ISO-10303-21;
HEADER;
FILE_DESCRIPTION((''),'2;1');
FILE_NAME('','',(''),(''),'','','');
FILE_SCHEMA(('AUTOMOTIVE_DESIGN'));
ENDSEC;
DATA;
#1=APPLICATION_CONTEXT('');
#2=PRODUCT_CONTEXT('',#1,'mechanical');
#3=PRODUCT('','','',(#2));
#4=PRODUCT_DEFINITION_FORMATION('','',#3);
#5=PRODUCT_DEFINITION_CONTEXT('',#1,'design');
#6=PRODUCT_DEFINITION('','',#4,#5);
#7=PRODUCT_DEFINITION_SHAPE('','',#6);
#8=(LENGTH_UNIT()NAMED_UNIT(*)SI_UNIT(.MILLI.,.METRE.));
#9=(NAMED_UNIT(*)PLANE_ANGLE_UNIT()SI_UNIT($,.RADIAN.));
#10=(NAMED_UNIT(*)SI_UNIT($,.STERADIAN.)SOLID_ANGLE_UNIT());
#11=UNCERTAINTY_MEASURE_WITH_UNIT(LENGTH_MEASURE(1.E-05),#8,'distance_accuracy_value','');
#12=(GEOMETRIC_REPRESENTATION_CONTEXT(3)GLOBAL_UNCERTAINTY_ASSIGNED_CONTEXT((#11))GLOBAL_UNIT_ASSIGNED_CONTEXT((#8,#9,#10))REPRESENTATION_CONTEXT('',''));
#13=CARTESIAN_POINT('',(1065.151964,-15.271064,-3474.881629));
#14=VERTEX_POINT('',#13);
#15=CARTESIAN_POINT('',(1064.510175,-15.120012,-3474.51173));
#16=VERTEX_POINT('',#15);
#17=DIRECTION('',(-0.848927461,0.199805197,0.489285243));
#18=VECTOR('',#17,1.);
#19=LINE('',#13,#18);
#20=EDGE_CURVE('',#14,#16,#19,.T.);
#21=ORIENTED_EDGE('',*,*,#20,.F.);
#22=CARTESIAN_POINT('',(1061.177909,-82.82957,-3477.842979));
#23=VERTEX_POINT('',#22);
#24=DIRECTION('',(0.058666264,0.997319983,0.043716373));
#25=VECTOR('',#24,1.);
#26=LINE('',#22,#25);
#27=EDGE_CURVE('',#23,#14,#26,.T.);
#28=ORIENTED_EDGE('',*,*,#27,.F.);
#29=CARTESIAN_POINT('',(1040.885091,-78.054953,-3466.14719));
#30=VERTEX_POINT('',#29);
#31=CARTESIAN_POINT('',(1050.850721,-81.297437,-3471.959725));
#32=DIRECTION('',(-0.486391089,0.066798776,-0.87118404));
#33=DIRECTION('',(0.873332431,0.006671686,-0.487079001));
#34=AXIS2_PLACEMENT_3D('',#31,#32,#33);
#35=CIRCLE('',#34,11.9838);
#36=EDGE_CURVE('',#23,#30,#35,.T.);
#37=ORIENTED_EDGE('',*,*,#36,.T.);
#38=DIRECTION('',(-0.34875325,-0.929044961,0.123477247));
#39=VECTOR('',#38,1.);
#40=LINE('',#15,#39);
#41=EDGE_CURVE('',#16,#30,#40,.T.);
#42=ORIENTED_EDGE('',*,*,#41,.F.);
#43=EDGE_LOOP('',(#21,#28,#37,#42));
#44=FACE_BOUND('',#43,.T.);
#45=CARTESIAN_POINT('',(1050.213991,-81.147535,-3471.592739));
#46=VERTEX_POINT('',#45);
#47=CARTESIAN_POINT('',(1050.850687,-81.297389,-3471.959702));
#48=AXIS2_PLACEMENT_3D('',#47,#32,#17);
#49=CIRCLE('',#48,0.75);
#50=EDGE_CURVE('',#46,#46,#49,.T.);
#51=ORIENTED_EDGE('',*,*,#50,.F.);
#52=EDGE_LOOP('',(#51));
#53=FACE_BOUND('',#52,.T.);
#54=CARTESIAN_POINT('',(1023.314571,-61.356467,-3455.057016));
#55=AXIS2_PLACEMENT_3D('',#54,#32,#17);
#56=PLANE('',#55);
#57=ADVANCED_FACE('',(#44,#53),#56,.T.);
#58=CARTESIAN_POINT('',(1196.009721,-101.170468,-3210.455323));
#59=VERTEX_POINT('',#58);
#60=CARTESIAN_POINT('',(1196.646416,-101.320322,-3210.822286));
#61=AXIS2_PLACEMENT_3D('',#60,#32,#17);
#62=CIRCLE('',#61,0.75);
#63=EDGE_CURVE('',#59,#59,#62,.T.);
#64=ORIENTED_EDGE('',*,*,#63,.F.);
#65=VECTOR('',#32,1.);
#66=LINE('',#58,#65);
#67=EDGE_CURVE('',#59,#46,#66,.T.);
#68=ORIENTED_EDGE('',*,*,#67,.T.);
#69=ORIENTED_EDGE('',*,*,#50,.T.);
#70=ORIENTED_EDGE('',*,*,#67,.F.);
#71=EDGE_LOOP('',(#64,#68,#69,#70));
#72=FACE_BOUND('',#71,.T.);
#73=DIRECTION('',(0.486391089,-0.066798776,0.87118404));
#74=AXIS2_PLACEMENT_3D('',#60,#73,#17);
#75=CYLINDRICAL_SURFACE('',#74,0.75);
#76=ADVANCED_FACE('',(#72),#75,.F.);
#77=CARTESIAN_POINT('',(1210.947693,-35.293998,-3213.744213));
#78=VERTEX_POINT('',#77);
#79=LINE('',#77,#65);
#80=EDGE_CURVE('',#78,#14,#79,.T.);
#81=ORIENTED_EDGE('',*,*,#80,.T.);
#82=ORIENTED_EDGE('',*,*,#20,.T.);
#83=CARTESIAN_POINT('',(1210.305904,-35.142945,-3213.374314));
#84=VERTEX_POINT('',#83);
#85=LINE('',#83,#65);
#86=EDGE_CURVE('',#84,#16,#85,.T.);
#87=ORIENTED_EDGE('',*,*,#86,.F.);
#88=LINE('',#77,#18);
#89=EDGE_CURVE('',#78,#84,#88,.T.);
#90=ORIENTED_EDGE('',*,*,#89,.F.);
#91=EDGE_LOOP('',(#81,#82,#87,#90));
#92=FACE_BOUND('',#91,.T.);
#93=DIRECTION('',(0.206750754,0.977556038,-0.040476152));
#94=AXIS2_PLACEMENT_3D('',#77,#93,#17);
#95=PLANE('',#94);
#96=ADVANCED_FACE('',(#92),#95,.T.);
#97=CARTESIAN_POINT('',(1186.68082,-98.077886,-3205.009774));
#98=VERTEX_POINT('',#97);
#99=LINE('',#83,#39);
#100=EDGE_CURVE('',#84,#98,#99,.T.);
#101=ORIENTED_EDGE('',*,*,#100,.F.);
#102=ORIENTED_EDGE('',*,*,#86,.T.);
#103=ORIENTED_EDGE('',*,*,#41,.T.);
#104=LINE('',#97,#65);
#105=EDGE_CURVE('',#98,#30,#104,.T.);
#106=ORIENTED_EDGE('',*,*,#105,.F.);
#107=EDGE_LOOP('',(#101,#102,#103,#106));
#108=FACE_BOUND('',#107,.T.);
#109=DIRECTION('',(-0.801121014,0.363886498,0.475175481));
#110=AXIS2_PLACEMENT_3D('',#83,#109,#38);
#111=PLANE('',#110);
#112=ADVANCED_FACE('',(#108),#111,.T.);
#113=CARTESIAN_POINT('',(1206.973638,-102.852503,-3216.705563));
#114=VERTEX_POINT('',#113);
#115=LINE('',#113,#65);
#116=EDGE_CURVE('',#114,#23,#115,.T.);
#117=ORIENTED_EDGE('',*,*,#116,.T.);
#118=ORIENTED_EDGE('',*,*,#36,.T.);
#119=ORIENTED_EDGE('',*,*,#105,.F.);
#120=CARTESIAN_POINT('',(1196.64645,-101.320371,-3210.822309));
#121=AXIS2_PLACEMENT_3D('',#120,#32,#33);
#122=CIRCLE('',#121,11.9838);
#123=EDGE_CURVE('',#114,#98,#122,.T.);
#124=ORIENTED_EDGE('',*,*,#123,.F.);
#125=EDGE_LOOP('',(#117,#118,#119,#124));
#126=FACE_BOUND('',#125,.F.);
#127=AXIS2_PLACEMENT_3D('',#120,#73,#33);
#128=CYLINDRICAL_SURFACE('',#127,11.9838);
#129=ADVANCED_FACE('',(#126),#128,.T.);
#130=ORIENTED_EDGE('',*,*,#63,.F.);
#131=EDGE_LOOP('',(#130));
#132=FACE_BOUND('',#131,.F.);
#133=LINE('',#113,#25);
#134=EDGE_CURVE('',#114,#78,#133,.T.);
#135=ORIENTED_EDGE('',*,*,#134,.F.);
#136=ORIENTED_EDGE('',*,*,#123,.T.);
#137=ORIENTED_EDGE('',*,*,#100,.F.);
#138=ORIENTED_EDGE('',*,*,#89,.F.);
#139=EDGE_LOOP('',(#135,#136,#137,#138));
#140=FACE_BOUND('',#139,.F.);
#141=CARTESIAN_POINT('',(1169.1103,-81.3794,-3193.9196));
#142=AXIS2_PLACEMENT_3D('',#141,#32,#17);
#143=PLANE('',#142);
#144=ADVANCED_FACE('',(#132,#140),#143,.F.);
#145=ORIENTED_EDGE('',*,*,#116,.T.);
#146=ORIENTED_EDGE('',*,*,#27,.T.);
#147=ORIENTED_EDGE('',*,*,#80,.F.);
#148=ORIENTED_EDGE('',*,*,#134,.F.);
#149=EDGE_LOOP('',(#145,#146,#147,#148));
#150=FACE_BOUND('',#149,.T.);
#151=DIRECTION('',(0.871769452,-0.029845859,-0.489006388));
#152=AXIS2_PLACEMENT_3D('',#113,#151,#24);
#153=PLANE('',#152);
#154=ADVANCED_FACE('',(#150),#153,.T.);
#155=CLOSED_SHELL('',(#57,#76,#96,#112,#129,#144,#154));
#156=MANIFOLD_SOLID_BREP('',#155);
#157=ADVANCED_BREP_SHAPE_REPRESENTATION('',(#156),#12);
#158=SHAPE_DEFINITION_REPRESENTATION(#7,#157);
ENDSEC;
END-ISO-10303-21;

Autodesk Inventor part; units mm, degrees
ref_plane "YZ Plane" through (0, 0, 0) normal (1, 0, 0) x (0, 1, 0)
ref_plane "XZ Plane" through (0, 0, 0) normal (0, 1, 0) x (-1, 0, 0)
ref_plane "Work Plane1" through (1169.1103, -81.3794, -3193.9196) normal (-0.4864, 0.0668, -0.8712) x (-0.8489, 0.1998, 0.4893)
sketch "Sketch1" plane through (1169.1103, -81.3794, -3193.9196) normal (-0.4864, 0.0668, -0.8712) x (-0.8489, 0.1998, 0.4893)
  circle A0 centre (-35.6307, -13.1161) radius 0.75 projected
  line L0 (-36.0087, 54.5034) -> (-35.2527, 54.5034) construction
  arc A1 (-48.6893, -20.4966) -> (-22.5721, -20.4966) centre (-35.6307, -13.1161) ccw construction
  arc A2 (-47.3555, -10.6379) -> (-23.9064, -10.636) centre (-35.6307, -13.1161) ccw
  line L1 (-47.5825, -12.2406) -> (-46.8097, -6.7847)
  line L2 (-23.6788, -12.2421) -> (-24.4519, -6.7847)
  line L3 (-47.5825, -12.2406) -> (-36.0087, 54.5034)
  line L4 (-36.0087, 54.5034) -> (-35.2527, 54.5034)
  line L5 (-35.2527, 54.5034) -> (-23.6788, -12.2421)
  spline S0 degree 3 poles (-35.2527, 54.5034) (-35.1874, 54.1932) (-35.0344, 53.4656) (-34.6342, 51.5408) (-34.4272, 50.5359) (-33.7132, 47.0386) (-33.2127, 44.5297) (-31.5162, 35.8392) (-30.3662, 29.6065) (-26.7707, 9.0774) (-24.4474, -5.9944) (-22.5721, -20.4966) knots -7.652768 -7.652768 -7.652768 -7.652768 -7.375677 -7.375677 -7.074889 -7.074889 -6.315253 -6.315253 -4.432937 -4.432937 -0.050389 -0.050389 -0.050389 -0.050389 projected
  spline S1 degree 3 poles (-48.6893, -20.4966) (-45.6503, 3.0044) (-41.2991, 29.0722) (-36.227, 53.4656) (-36.0741, 54.1932) (-36.0087, 54.5034) knots -2.513741 -2.513741 -2.513741 -2.513741 -0.095109 -0.095109 0 0 0 0 projected
  point P0 (2571.5058, -291.4034)
ref_plane "Work Plane2" through (-14.7431, -7.9324, 300) normal (0, 0, -1) x (0, 1, 0)
extrude "Extrusion1" add sketch "Sketch1" along normal blind 299.75 contours L3 L4 L5 A2
ref_plane "Work Plane4" through (1210.3037, -35.1412, -3213.3748) normal (0.8489, -0.1998, -0.4893) x (-0.4864, 0.0668, -0.8712)
ref_plane "Work Plane5" through (1210.6271, -35.2173, -3213.5612) normal (0.8489, -0.1998, -0.4893) x (-0.4864, 0.0668, -0.8712)
ref_plane "Work Plane6" through (1210.3037, -35.1412, -3213.3748) normal (0.2067, 0.9776, -0.0405) x (-0.4864, 0.0668, -0.8712)
properties part number "Vtail"
